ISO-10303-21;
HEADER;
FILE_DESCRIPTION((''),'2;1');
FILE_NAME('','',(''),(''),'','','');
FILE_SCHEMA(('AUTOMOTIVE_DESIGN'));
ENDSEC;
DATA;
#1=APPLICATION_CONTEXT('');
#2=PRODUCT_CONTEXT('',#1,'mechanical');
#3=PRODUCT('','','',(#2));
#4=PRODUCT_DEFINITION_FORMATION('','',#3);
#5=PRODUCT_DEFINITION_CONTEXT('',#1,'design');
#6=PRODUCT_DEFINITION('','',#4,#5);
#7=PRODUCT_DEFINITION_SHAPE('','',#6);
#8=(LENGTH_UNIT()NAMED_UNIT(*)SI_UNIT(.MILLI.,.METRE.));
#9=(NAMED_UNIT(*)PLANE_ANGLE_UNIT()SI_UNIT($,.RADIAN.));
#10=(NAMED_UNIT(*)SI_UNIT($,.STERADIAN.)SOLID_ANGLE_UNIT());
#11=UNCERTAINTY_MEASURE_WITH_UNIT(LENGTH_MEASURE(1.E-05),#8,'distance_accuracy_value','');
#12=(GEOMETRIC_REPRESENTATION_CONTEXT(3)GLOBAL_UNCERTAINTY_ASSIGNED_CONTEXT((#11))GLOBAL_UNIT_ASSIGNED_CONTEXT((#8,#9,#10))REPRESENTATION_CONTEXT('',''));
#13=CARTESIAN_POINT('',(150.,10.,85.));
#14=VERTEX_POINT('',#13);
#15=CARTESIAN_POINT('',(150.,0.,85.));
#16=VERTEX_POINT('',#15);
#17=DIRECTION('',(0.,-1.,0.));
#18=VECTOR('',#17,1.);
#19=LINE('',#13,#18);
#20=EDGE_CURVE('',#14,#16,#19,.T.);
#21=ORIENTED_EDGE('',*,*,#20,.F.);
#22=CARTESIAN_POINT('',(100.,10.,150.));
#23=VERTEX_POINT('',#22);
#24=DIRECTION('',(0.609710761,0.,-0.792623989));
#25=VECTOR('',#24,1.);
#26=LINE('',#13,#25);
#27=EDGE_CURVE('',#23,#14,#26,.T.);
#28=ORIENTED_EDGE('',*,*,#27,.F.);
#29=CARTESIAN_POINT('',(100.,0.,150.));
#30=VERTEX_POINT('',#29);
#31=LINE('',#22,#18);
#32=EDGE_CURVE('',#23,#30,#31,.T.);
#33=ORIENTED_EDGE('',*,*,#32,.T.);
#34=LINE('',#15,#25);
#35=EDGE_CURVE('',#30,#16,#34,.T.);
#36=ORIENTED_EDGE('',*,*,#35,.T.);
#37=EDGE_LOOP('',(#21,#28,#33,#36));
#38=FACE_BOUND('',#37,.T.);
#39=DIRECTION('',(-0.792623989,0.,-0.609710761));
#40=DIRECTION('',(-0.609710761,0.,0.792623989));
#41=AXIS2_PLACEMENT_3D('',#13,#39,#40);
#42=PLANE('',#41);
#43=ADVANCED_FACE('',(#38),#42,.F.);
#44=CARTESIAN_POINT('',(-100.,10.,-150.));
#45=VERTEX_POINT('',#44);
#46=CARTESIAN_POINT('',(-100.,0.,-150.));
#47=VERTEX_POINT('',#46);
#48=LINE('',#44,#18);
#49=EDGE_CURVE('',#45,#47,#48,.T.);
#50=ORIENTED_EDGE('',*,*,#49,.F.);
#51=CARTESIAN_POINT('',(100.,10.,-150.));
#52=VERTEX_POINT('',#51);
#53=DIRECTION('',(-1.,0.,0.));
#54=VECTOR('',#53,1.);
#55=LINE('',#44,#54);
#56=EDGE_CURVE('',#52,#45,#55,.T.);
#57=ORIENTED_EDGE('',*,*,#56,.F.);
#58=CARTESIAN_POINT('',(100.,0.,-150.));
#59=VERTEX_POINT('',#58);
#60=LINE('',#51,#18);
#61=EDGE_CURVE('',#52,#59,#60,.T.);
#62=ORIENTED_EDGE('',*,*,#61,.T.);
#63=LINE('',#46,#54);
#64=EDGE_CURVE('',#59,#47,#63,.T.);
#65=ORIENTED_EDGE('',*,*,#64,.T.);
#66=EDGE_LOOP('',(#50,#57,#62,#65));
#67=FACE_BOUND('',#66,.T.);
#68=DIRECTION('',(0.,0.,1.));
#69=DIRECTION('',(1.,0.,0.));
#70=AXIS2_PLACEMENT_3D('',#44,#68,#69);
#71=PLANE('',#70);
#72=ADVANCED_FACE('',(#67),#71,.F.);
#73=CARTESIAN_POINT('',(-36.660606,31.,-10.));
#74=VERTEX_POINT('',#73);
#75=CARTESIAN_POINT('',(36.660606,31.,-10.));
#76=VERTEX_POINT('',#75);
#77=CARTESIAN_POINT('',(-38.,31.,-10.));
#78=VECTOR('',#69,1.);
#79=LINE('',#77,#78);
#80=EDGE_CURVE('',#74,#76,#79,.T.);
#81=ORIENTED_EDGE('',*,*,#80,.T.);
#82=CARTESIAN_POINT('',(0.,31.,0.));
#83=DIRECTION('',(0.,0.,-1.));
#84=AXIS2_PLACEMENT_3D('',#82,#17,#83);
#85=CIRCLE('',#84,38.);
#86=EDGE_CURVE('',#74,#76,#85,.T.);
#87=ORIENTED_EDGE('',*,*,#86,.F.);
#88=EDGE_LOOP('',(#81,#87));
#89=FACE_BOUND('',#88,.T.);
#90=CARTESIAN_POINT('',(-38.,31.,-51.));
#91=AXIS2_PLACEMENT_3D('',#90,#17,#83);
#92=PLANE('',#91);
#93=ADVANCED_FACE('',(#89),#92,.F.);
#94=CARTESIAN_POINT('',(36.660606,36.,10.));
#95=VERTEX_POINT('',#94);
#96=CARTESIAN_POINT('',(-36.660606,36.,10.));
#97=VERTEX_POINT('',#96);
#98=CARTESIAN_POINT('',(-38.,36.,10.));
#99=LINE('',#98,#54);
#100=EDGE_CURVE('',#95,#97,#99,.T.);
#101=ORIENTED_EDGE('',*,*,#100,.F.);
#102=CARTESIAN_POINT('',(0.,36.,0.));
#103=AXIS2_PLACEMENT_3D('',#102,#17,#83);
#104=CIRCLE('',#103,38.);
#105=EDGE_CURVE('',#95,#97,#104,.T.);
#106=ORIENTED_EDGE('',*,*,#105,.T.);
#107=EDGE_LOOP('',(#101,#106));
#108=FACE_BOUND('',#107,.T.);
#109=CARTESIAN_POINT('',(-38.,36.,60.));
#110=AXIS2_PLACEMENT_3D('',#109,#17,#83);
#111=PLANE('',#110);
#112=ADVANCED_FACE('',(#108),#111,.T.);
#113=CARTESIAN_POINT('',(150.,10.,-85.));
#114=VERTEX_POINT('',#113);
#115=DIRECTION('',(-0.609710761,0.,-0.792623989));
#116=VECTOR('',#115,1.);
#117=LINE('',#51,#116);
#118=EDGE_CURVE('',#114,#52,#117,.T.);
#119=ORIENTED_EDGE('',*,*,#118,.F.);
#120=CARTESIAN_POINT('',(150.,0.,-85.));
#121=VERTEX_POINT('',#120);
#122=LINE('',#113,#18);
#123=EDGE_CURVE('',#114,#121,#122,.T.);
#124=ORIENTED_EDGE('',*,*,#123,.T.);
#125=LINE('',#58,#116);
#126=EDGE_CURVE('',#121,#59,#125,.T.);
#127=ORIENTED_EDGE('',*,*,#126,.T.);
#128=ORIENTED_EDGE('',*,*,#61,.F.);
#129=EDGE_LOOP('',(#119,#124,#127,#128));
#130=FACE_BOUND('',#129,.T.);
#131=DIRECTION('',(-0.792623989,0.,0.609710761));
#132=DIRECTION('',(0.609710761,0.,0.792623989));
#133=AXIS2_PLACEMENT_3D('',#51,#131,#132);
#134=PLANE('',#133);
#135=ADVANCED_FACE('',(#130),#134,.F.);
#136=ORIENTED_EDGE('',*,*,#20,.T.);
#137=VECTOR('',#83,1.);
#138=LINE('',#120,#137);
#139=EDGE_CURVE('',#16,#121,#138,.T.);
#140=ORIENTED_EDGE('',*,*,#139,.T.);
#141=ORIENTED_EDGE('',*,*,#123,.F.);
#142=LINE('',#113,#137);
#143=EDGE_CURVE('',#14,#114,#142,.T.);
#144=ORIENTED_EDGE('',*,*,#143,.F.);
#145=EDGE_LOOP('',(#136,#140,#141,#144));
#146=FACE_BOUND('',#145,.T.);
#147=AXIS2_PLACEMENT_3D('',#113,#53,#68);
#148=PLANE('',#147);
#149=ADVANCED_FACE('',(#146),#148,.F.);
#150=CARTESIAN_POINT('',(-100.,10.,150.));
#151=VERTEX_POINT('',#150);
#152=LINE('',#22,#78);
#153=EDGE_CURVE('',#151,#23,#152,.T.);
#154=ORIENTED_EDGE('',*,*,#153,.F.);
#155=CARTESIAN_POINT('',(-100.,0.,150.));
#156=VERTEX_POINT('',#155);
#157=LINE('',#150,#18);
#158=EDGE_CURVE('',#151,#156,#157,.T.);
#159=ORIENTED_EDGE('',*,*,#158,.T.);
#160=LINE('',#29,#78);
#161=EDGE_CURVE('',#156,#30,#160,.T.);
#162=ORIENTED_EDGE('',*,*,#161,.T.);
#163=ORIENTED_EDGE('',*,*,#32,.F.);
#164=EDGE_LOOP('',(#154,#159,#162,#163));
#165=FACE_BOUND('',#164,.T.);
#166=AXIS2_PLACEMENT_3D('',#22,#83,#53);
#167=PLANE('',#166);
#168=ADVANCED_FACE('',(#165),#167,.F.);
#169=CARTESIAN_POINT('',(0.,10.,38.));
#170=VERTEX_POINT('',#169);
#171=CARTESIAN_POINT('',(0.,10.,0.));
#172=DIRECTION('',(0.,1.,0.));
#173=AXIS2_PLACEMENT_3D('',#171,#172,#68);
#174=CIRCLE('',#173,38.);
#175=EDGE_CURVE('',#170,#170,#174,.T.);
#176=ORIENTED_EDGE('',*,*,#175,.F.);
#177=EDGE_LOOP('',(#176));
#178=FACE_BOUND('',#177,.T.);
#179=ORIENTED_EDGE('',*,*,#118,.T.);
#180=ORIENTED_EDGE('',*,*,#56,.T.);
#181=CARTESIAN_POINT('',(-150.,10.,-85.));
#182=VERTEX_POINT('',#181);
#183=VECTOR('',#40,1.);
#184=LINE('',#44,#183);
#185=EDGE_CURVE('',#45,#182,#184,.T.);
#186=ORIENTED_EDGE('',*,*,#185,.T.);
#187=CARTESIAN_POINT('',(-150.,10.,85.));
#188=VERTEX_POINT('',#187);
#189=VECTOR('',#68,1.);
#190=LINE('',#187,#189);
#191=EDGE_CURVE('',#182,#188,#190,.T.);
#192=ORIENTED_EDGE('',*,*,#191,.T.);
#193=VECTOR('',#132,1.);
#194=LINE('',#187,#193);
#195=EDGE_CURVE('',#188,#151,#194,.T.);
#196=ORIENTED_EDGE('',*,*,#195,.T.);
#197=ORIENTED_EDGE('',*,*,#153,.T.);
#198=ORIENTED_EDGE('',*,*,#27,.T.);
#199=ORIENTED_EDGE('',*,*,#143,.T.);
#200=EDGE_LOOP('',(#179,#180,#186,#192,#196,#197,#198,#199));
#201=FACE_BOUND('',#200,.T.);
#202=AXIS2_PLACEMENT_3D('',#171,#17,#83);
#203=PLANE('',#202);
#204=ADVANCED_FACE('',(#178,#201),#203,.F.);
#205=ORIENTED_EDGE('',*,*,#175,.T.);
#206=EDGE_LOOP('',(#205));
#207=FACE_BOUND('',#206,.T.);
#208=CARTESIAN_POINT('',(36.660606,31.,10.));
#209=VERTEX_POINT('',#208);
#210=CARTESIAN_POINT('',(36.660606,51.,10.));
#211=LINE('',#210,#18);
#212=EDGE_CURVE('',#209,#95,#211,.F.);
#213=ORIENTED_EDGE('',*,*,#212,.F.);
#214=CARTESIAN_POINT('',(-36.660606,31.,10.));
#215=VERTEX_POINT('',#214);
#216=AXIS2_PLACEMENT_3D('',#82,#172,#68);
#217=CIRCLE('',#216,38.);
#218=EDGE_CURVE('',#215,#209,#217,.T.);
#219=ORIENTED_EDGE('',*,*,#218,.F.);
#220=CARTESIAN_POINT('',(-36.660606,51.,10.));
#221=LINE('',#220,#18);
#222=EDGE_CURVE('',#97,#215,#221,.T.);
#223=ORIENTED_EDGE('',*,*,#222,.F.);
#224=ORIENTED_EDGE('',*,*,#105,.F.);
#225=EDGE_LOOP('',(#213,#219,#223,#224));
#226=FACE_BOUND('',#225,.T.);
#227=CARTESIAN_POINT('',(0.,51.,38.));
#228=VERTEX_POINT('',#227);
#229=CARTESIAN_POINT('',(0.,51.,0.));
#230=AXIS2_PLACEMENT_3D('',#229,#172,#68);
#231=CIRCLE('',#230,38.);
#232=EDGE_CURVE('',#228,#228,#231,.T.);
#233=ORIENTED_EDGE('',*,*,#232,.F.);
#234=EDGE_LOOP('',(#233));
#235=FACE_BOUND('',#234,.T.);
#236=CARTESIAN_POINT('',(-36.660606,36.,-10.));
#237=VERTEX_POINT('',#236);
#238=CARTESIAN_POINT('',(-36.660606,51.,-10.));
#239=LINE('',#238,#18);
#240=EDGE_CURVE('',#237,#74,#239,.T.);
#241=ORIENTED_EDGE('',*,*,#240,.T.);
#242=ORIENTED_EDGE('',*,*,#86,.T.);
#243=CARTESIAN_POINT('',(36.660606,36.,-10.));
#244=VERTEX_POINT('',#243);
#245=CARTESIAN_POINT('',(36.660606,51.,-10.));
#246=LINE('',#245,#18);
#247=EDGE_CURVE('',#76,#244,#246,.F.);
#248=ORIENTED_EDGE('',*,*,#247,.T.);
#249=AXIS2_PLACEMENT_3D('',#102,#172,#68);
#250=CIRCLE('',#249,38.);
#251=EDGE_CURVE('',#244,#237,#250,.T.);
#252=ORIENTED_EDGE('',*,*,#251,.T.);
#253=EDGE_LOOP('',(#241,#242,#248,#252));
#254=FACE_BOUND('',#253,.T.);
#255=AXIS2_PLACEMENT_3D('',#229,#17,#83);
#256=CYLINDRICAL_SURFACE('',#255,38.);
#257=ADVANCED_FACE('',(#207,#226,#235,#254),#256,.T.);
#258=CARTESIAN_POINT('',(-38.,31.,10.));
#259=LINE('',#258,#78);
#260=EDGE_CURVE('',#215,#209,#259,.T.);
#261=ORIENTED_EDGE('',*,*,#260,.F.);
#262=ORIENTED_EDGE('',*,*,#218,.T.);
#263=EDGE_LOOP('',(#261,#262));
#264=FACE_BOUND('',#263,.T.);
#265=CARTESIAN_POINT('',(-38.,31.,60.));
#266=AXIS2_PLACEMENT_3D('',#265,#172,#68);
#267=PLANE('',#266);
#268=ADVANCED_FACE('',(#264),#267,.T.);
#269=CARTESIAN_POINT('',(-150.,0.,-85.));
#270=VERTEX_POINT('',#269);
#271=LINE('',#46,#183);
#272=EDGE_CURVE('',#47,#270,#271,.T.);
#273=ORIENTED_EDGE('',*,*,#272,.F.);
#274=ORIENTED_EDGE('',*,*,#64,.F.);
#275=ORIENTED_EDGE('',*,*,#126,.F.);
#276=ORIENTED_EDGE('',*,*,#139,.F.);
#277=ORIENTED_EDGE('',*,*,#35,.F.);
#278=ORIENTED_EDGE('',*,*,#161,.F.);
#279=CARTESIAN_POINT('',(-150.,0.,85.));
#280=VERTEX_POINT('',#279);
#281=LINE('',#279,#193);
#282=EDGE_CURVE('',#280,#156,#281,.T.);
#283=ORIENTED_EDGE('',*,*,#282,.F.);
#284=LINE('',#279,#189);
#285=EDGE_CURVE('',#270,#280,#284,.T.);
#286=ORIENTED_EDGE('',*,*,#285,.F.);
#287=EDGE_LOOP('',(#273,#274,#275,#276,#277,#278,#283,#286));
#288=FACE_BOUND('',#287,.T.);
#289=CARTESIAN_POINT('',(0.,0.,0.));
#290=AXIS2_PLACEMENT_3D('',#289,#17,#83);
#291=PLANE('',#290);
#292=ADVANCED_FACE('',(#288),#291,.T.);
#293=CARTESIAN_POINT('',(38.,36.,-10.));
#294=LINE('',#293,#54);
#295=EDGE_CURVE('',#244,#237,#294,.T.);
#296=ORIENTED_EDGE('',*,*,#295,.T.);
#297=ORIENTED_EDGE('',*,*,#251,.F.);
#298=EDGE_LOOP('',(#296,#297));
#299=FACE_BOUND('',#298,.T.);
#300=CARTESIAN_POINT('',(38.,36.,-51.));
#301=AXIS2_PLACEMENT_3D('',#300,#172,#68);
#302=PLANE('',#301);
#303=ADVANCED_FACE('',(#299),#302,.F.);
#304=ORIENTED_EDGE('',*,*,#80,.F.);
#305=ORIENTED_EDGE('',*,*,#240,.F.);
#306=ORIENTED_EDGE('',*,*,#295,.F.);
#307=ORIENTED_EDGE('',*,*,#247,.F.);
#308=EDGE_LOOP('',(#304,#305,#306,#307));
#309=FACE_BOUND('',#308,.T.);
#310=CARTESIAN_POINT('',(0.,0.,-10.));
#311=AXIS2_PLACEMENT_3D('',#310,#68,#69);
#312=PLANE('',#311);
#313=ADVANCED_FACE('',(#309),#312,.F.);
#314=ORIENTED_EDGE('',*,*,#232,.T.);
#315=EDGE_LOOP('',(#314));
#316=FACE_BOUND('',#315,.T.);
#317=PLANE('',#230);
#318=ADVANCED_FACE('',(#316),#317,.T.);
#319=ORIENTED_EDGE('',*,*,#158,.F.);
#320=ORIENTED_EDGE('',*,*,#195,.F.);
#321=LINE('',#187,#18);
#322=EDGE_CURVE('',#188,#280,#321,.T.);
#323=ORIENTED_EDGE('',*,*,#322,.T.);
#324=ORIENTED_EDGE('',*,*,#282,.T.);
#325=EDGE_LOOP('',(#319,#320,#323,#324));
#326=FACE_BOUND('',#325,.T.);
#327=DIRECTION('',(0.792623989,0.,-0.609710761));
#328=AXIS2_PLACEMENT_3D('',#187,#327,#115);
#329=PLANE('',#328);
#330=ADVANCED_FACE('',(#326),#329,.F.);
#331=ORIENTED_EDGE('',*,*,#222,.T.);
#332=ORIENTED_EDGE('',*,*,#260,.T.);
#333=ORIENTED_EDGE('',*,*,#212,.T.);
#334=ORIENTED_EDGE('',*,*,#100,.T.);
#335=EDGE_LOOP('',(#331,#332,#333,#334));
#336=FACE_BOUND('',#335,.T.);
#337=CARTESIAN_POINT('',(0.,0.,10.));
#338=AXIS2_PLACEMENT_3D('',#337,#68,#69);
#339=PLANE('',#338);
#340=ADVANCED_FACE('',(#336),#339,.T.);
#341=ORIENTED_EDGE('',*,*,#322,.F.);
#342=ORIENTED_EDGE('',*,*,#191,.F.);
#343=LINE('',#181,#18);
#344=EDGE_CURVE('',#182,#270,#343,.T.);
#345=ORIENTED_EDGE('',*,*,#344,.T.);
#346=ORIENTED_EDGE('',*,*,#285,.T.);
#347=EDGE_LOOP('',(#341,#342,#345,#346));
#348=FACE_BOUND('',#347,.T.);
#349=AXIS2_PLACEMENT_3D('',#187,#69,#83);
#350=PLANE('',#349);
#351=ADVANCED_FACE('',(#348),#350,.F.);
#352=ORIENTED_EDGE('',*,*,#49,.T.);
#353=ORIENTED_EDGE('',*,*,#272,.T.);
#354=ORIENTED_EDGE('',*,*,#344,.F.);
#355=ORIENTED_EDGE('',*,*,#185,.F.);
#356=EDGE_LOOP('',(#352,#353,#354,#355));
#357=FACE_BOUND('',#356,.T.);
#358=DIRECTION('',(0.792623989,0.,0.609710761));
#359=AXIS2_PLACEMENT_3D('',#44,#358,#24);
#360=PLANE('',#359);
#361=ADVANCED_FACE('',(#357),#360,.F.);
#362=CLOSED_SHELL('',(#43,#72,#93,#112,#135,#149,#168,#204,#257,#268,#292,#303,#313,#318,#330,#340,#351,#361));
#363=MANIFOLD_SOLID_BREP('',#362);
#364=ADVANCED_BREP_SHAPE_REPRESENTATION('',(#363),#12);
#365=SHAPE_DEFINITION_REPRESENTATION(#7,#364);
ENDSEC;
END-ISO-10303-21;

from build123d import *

# Parameters (mm, degrees)
BOSS_EXTRUDE1_DEPTH = 10
SKETCH2_R           = 38
BOSS_EXTRUDE2_DEPTH = 41
CUT_EXTRUDE1_START  = 10
SKETCH3_W           = 76
SKETCH3_H           = 5
CUT_EXTRUDE1_DEPTH  = 50
CUT_EXTRUDE2_START  = -10
SKETCH4_W           = 76
SKETCH4_H           = 5
CUT_EXTRUDE2_DEPTH  = 41


with BuildPart() as part:
    # Sketch1 → Boss-Extrude1 (new body)
    with BuildSketch(Plane(origin=(0, 0, 0), x_dir=(1, 0, 0), z_dir=(0, 1, 0))):
        Polygon((-100, 150), (-150, 85), (-150, -85), (-100, -150), (100, -150), (150, -85), (150, 85), (100, 150), align=None)
    extrude(amount=BOSS_EXTRUDE1_DEPTH)

    # Sketch2 → Boss-Extrude2 (add)
    with BuildSketch(Plane(origin=(0, 10, 0), x_dir=(1, 0, 0), z_dir=(0, 1, 0))):
        with Locations(Location((0, 0, 0), (0, 0, 270))):
            Circle(SKETCH2_R)
    extrude(amount=BOSS_EXTRUDE2_DEPTH)

    # Sketch3 → Cut-Extrude1 (cut)
    with BuildSketch(Plane.XY.offset(CUT_EXTRUDE1_START)):
        with Locations((0, 33.5)):
            Rectangle(SKETCH3_W, SKETCH3_H)
    extrude(amount=CUT_EXTRUDE1_DEPTH, mode=Mode.SUBTRACT)

    # Sketch4 → Cut-Extrude2 (cut)
    with BuildSketch(Plane.XY.offset(CUT_EXTRUDE2_START)):
        with Locations((0, 33.5)):
            Rectangle(SKETCH4_W, SKETCH4_H)
    extrude(amount=-CUT_EXTRUDE2_DEPTH, mode=Mode.SUBTRACT)


solid = part.part
